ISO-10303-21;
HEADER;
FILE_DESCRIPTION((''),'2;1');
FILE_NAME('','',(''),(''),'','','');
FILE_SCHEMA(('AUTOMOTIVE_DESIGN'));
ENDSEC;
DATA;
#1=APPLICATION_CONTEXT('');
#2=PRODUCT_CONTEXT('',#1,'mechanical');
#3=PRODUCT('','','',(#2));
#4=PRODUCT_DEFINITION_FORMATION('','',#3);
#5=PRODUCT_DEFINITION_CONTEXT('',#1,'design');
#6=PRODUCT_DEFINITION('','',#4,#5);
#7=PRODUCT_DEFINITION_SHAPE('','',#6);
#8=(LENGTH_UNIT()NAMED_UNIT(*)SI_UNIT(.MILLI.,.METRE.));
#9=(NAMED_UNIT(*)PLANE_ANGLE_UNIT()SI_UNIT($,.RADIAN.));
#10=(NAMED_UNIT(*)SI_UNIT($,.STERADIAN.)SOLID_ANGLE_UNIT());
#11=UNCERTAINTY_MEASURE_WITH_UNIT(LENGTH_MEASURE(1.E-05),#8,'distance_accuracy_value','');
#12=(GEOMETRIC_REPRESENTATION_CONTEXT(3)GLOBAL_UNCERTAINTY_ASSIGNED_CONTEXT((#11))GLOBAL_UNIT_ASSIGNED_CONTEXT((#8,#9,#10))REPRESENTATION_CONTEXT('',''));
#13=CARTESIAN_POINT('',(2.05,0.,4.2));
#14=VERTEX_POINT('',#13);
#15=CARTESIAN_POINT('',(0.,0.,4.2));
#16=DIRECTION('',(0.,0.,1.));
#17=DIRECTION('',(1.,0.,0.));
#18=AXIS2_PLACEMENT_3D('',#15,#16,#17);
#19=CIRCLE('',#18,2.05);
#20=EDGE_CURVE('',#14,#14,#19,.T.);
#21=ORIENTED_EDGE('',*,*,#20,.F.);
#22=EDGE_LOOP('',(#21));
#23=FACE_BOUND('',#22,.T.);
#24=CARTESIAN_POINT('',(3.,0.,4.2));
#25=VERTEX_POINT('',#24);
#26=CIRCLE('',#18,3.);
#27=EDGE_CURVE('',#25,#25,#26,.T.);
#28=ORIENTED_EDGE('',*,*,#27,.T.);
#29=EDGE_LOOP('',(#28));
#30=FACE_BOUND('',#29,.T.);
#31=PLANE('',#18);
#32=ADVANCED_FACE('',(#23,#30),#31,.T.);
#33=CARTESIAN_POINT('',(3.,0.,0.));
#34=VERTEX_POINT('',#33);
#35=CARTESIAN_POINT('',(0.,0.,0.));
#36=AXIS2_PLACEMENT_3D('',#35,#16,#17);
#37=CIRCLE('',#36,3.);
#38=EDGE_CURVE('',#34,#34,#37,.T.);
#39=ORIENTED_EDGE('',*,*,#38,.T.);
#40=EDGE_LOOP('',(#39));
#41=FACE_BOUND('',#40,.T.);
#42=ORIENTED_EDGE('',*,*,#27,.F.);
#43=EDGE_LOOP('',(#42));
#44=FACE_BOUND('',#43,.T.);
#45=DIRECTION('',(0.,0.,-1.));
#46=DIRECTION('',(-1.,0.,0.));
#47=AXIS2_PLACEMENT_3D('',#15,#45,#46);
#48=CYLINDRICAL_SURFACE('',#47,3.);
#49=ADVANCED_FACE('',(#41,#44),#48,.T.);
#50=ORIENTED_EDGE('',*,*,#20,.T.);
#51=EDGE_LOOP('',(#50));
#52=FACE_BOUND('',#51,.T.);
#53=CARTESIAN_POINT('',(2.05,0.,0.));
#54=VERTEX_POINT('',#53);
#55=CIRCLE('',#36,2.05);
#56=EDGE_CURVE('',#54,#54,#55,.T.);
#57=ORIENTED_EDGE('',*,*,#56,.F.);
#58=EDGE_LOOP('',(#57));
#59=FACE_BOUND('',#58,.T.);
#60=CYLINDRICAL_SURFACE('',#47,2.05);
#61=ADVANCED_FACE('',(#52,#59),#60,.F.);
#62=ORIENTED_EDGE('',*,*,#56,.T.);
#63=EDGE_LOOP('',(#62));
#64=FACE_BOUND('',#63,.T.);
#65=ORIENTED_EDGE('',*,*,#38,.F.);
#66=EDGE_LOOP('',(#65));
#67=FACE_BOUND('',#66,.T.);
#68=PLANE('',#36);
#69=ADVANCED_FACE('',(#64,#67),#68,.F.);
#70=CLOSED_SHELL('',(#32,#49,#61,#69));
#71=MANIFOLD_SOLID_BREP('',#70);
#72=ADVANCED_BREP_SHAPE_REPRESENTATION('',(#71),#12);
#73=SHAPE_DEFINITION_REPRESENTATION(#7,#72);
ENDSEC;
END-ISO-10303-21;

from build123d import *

# Parameters (mm, degrees)
S01_SMOOTH_CYLINDRICAL_SECTION_R      = 3
S01_SMOOTH_CYLINDRICAL_SECTION_R_2    = 2.05
F_01_SMOOTH_CYLINDRICAL_SECTION_DEPTH = 4.2


with BuildPart() as part:
    # S01 - Smooth cylindrical section → 01 - Smooth cylindrical section (new body)
    with BuildSketch(Plane.XY):
        Circle(S01_SMOOTH_CYLINDRICAL_SECTION_R)
        Circle(S01_SMOOTH_CYLINDRICAL_SECTION_R_2, mode=Mode.SUBTRACT)
    extrude(amount=F_01_SMOOTH_CYLINDRICAL_SECTION_DEPTH)


solid = part.part
